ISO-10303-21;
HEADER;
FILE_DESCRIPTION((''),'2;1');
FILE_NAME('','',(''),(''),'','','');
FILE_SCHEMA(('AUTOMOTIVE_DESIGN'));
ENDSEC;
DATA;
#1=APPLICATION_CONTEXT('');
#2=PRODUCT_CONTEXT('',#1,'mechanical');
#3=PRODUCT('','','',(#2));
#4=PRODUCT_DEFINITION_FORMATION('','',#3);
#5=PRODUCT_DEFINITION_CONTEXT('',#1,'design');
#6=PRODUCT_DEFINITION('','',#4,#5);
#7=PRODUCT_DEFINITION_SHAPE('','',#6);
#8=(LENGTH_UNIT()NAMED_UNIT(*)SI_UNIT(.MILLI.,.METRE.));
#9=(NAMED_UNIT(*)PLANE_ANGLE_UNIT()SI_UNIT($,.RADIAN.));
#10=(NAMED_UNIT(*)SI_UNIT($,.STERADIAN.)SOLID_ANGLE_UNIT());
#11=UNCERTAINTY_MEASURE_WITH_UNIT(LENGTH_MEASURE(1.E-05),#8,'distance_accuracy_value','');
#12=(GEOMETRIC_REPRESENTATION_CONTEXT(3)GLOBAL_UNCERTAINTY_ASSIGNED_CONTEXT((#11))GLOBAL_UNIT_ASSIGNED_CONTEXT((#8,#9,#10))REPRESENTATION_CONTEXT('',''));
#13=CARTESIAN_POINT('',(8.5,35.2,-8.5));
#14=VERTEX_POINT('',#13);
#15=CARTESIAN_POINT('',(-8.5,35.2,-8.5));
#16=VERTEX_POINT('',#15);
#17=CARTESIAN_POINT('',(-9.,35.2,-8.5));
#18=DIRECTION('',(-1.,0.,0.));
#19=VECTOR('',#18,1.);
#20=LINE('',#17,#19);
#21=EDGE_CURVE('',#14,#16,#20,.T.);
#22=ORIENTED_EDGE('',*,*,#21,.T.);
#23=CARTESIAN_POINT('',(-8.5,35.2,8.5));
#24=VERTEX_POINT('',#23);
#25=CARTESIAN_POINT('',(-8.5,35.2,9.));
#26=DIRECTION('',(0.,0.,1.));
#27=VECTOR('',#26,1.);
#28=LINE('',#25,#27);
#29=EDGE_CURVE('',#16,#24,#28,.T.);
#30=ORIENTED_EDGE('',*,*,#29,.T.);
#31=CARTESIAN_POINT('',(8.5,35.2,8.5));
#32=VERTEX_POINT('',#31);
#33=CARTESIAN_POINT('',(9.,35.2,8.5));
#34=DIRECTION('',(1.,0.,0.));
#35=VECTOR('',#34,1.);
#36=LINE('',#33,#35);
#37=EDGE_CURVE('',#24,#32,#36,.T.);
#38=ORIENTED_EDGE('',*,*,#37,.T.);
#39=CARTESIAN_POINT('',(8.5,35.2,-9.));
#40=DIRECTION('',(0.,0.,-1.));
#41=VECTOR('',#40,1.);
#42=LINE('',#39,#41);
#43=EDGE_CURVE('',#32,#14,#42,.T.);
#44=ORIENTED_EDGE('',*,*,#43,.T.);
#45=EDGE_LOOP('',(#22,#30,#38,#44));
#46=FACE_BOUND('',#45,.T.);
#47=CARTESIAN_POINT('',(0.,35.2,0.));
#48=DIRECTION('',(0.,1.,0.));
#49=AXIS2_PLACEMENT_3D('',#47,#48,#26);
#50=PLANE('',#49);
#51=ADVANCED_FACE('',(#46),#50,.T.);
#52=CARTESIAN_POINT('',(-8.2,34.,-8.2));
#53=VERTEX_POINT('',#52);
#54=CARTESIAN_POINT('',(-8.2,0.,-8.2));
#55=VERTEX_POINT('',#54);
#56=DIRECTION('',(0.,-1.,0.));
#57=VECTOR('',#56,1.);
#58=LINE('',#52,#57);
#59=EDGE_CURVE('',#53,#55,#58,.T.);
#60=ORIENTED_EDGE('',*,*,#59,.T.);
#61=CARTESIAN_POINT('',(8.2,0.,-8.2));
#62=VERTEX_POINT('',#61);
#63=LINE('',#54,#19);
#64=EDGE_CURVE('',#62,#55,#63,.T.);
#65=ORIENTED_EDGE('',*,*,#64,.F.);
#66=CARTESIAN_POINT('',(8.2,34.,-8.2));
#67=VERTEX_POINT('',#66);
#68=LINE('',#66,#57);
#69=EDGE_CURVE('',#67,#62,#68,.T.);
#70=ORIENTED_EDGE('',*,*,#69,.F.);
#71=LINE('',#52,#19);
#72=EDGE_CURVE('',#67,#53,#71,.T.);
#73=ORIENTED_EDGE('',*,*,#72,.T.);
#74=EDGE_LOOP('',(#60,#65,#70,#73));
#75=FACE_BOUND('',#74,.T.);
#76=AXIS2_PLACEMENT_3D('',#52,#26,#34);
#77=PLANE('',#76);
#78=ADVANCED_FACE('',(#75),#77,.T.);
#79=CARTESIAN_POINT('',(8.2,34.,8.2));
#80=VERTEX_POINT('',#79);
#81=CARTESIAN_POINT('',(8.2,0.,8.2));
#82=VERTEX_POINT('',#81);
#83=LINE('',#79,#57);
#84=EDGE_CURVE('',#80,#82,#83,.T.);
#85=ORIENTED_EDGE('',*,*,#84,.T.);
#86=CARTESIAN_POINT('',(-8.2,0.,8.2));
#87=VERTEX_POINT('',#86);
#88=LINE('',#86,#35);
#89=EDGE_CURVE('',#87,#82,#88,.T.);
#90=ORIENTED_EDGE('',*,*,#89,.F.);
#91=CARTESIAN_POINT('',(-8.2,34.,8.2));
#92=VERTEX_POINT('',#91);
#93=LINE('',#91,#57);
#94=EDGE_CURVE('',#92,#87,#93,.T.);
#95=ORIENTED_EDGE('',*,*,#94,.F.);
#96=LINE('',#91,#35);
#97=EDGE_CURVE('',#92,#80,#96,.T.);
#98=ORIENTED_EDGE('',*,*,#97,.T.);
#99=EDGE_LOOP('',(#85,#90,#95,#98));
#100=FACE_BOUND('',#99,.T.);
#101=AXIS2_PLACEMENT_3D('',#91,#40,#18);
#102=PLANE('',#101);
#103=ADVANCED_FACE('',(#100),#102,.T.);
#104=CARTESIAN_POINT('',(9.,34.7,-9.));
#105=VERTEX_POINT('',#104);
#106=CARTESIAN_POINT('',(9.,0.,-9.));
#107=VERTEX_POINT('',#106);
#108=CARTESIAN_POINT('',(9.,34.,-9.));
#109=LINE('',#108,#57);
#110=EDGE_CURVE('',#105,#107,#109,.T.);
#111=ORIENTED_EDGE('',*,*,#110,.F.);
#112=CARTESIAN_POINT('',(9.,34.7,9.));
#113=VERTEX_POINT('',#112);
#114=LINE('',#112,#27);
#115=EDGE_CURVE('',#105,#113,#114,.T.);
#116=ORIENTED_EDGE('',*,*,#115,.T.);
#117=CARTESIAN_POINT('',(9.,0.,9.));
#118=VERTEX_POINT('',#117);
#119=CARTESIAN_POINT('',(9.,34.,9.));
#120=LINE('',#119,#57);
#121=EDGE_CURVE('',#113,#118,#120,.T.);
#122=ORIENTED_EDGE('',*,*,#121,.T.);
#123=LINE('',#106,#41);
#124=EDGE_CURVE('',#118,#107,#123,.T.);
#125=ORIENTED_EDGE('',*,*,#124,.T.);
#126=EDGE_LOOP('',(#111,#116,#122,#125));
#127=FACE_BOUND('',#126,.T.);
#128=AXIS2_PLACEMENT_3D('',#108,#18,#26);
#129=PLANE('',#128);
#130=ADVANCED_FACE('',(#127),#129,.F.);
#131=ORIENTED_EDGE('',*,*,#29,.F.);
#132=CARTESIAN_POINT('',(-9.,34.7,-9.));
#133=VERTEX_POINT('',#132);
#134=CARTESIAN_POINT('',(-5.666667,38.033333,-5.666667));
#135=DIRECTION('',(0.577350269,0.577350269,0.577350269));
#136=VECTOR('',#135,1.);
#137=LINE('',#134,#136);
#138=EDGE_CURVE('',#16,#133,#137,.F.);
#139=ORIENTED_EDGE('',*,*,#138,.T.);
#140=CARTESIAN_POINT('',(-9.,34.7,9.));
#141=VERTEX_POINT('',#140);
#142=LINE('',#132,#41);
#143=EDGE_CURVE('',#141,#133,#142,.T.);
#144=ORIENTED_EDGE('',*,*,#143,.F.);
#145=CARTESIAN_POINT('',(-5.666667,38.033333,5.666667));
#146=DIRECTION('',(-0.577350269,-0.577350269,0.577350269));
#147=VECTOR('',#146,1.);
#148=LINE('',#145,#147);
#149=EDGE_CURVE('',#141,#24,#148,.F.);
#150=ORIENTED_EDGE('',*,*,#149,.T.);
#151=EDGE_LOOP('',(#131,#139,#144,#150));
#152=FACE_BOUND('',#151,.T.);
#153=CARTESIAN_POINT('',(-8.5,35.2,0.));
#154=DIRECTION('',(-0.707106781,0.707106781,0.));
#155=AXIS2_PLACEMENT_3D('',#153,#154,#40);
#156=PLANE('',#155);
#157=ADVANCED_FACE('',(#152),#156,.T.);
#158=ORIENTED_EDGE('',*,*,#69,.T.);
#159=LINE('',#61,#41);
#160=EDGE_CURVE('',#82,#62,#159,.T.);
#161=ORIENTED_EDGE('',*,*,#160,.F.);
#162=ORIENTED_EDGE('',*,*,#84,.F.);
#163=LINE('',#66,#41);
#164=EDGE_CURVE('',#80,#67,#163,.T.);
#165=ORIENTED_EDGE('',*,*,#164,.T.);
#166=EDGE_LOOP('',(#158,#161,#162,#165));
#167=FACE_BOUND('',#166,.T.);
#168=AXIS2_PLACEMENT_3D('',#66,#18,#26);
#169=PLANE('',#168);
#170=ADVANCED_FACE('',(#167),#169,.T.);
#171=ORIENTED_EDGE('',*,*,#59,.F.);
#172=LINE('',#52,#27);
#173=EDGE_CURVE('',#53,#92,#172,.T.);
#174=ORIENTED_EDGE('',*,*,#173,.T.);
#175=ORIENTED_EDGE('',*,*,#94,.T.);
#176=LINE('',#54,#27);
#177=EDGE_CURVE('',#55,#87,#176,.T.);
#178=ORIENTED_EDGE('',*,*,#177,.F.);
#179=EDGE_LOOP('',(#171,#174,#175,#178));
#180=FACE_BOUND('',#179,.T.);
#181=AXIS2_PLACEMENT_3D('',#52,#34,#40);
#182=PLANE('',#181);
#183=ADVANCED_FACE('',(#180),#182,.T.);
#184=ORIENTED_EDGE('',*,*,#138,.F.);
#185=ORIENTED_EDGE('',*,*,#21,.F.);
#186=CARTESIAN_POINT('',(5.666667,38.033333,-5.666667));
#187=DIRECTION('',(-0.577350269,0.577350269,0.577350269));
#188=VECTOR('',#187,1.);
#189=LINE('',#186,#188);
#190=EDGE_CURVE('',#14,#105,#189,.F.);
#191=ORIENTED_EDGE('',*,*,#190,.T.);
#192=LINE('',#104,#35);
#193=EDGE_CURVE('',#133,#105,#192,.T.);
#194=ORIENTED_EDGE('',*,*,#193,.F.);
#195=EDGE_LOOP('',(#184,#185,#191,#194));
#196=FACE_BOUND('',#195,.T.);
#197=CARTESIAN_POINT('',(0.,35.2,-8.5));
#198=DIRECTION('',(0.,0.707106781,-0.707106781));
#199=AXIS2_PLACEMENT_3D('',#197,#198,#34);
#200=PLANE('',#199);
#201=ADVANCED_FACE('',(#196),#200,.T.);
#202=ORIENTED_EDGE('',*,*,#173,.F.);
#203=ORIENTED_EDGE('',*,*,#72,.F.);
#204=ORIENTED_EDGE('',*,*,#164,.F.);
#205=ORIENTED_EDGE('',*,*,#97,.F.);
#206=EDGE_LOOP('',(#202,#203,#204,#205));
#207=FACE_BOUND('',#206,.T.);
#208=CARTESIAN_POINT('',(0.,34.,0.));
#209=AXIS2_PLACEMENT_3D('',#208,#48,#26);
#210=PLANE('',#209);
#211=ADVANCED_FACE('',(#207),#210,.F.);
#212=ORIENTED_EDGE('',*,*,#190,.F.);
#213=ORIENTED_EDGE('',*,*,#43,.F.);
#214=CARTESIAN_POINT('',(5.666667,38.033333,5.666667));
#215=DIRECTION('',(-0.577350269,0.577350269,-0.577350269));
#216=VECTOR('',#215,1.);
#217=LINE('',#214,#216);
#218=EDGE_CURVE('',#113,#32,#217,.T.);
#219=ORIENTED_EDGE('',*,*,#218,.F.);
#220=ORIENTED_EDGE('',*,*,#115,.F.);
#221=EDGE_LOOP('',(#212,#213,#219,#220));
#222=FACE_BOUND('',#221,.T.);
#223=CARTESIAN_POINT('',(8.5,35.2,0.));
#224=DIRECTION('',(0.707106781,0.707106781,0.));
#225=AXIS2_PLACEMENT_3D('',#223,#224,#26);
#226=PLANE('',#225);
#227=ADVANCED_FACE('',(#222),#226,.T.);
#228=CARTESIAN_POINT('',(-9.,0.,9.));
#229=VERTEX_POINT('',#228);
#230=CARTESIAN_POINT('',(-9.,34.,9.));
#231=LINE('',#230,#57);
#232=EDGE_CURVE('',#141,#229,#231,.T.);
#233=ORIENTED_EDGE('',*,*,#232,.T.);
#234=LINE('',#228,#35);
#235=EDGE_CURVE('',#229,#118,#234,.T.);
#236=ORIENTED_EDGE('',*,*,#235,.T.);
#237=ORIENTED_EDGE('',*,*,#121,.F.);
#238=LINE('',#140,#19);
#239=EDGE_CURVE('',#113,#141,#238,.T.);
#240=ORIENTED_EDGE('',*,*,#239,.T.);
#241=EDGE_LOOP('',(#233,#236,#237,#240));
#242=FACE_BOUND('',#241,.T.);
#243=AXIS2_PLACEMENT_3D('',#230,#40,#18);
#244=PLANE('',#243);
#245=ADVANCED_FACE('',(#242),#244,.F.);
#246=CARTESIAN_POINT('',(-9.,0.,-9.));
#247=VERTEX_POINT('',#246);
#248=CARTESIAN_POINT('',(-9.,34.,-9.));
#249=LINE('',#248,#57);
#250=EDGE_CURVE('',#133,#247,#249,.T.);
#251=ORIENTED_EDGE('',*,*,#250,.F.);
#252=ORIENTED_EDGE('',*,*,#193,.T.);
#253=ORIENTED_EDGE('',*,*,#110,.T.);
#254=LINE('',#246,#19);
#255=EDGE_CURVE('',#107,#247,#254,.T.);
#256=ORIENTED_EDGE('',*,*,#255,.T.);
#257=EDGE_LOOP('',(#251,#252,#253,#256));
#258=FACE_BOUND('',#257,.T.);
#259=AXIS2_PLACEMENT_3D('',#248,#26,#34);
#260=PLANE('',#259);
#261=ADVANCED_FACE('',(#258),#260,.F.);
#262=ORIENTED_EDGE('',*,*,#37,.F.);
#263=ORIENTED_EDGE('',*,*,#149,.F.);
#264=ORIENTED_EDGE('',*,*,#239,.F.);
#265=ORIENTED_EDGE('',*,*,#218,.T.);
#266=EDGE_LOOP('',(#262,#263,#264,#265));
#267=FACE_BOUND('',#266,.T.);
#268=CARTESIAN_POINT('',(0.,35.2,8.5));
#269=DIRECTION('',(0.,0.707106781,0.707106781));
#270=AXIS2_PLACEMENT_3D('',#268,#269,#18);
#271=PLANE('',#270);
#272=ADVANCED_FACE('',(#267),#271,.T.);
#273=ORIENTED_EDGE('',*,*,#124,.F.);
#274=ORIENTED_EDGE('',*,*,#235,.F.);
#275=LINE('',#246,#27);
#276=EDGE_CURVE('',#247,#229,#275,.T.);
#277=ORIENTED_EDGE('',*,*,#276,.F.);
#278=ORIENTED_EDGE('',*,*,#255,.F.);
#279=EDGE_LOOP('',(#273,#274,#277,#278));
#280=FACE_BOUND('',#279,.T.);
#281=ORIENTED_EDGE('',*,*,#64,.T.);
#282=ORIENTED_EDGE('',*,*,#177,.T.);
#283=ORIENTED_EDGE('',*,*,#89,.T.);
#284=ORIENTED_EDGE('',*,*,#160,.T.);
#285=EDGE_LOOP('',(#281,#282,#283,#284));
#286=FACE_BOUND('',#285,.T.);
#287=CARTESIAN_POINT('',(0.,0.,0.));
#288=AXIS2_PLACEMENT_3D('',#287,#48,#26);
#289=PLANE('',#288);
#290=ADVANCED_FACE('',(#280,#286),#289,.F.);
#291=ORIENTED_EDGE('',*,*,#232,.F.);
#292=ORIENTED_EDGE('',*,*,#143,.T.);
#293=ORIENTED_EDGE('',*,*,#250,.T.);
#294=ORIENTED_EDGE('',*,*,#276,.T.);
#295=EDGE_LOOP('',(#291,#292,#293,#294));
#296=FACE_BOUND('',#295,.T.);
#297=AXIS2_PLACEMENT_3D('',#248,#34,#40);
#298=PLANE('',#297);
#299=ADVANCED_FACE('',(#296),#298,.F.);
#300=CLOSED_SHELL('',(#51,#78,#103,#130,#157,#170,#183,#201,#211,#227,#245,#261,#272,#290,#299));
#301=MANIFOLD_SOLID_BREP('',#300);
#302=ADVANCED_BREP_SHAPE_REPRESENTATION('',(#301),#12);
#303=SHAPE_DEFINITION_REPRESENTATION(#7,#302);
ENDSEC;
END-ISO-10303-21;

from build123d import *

# Parameters (mm, degrees)
SKETCH1_W           = 18
SKETCH1_H           = 18
SKETCH1_W_2         = 16.4
SKETCH1_H_2         = 16.4
BOSS_EXTRUDE1_DEPTH = 34
SKETCH2_W           = 18
SKETCH2_H           = 18
BOSS_EXTRUDE2_DEPTH = 1.2
CHAMFER1_SIZE       = 0.5


with BuildPart() as part:
    # Sketch1 → Boss-Extrude1 (new body)
    with BuildSketch(Plane(origin=(0, 0, 0), x_dir=(1, 0, 0), z_dir=(0, 1, 0))):
        Rectangle(SKETCH1_W, SKETCH1_H)
        Rectangle(SKETCH1_W_2, SKETCH1_H_2, mode=Mode.SUBTRACT)
    extrude(amount=BOSS_EXTRUDE1_DEPTH)

    # Sketch2 → Boss-Extrude2 (add)
    with BuildSketch(Plane(origin=(0, 34, 0), x_dir=(1, 0, 0), z_dir=(0, 1, 0))):
        Rectangle(SKETCH2_W, SKETCH2_H)
    extrude(amount=BOSS_EXTRUDE2_DEPTH)

    # Chamfer1
    chamfer1_edges = [part.edges().sort_by_distance(p)[0] for p in [
        (-9, 35.2, 0),
        (0, 35.2, 9),
        (9, 35.2, 0),
        (0, 35.2, -9),
    ]]
    chamfer(chamfer1_edges, length=CHAMFER1_SIZE)


solid = part.part
